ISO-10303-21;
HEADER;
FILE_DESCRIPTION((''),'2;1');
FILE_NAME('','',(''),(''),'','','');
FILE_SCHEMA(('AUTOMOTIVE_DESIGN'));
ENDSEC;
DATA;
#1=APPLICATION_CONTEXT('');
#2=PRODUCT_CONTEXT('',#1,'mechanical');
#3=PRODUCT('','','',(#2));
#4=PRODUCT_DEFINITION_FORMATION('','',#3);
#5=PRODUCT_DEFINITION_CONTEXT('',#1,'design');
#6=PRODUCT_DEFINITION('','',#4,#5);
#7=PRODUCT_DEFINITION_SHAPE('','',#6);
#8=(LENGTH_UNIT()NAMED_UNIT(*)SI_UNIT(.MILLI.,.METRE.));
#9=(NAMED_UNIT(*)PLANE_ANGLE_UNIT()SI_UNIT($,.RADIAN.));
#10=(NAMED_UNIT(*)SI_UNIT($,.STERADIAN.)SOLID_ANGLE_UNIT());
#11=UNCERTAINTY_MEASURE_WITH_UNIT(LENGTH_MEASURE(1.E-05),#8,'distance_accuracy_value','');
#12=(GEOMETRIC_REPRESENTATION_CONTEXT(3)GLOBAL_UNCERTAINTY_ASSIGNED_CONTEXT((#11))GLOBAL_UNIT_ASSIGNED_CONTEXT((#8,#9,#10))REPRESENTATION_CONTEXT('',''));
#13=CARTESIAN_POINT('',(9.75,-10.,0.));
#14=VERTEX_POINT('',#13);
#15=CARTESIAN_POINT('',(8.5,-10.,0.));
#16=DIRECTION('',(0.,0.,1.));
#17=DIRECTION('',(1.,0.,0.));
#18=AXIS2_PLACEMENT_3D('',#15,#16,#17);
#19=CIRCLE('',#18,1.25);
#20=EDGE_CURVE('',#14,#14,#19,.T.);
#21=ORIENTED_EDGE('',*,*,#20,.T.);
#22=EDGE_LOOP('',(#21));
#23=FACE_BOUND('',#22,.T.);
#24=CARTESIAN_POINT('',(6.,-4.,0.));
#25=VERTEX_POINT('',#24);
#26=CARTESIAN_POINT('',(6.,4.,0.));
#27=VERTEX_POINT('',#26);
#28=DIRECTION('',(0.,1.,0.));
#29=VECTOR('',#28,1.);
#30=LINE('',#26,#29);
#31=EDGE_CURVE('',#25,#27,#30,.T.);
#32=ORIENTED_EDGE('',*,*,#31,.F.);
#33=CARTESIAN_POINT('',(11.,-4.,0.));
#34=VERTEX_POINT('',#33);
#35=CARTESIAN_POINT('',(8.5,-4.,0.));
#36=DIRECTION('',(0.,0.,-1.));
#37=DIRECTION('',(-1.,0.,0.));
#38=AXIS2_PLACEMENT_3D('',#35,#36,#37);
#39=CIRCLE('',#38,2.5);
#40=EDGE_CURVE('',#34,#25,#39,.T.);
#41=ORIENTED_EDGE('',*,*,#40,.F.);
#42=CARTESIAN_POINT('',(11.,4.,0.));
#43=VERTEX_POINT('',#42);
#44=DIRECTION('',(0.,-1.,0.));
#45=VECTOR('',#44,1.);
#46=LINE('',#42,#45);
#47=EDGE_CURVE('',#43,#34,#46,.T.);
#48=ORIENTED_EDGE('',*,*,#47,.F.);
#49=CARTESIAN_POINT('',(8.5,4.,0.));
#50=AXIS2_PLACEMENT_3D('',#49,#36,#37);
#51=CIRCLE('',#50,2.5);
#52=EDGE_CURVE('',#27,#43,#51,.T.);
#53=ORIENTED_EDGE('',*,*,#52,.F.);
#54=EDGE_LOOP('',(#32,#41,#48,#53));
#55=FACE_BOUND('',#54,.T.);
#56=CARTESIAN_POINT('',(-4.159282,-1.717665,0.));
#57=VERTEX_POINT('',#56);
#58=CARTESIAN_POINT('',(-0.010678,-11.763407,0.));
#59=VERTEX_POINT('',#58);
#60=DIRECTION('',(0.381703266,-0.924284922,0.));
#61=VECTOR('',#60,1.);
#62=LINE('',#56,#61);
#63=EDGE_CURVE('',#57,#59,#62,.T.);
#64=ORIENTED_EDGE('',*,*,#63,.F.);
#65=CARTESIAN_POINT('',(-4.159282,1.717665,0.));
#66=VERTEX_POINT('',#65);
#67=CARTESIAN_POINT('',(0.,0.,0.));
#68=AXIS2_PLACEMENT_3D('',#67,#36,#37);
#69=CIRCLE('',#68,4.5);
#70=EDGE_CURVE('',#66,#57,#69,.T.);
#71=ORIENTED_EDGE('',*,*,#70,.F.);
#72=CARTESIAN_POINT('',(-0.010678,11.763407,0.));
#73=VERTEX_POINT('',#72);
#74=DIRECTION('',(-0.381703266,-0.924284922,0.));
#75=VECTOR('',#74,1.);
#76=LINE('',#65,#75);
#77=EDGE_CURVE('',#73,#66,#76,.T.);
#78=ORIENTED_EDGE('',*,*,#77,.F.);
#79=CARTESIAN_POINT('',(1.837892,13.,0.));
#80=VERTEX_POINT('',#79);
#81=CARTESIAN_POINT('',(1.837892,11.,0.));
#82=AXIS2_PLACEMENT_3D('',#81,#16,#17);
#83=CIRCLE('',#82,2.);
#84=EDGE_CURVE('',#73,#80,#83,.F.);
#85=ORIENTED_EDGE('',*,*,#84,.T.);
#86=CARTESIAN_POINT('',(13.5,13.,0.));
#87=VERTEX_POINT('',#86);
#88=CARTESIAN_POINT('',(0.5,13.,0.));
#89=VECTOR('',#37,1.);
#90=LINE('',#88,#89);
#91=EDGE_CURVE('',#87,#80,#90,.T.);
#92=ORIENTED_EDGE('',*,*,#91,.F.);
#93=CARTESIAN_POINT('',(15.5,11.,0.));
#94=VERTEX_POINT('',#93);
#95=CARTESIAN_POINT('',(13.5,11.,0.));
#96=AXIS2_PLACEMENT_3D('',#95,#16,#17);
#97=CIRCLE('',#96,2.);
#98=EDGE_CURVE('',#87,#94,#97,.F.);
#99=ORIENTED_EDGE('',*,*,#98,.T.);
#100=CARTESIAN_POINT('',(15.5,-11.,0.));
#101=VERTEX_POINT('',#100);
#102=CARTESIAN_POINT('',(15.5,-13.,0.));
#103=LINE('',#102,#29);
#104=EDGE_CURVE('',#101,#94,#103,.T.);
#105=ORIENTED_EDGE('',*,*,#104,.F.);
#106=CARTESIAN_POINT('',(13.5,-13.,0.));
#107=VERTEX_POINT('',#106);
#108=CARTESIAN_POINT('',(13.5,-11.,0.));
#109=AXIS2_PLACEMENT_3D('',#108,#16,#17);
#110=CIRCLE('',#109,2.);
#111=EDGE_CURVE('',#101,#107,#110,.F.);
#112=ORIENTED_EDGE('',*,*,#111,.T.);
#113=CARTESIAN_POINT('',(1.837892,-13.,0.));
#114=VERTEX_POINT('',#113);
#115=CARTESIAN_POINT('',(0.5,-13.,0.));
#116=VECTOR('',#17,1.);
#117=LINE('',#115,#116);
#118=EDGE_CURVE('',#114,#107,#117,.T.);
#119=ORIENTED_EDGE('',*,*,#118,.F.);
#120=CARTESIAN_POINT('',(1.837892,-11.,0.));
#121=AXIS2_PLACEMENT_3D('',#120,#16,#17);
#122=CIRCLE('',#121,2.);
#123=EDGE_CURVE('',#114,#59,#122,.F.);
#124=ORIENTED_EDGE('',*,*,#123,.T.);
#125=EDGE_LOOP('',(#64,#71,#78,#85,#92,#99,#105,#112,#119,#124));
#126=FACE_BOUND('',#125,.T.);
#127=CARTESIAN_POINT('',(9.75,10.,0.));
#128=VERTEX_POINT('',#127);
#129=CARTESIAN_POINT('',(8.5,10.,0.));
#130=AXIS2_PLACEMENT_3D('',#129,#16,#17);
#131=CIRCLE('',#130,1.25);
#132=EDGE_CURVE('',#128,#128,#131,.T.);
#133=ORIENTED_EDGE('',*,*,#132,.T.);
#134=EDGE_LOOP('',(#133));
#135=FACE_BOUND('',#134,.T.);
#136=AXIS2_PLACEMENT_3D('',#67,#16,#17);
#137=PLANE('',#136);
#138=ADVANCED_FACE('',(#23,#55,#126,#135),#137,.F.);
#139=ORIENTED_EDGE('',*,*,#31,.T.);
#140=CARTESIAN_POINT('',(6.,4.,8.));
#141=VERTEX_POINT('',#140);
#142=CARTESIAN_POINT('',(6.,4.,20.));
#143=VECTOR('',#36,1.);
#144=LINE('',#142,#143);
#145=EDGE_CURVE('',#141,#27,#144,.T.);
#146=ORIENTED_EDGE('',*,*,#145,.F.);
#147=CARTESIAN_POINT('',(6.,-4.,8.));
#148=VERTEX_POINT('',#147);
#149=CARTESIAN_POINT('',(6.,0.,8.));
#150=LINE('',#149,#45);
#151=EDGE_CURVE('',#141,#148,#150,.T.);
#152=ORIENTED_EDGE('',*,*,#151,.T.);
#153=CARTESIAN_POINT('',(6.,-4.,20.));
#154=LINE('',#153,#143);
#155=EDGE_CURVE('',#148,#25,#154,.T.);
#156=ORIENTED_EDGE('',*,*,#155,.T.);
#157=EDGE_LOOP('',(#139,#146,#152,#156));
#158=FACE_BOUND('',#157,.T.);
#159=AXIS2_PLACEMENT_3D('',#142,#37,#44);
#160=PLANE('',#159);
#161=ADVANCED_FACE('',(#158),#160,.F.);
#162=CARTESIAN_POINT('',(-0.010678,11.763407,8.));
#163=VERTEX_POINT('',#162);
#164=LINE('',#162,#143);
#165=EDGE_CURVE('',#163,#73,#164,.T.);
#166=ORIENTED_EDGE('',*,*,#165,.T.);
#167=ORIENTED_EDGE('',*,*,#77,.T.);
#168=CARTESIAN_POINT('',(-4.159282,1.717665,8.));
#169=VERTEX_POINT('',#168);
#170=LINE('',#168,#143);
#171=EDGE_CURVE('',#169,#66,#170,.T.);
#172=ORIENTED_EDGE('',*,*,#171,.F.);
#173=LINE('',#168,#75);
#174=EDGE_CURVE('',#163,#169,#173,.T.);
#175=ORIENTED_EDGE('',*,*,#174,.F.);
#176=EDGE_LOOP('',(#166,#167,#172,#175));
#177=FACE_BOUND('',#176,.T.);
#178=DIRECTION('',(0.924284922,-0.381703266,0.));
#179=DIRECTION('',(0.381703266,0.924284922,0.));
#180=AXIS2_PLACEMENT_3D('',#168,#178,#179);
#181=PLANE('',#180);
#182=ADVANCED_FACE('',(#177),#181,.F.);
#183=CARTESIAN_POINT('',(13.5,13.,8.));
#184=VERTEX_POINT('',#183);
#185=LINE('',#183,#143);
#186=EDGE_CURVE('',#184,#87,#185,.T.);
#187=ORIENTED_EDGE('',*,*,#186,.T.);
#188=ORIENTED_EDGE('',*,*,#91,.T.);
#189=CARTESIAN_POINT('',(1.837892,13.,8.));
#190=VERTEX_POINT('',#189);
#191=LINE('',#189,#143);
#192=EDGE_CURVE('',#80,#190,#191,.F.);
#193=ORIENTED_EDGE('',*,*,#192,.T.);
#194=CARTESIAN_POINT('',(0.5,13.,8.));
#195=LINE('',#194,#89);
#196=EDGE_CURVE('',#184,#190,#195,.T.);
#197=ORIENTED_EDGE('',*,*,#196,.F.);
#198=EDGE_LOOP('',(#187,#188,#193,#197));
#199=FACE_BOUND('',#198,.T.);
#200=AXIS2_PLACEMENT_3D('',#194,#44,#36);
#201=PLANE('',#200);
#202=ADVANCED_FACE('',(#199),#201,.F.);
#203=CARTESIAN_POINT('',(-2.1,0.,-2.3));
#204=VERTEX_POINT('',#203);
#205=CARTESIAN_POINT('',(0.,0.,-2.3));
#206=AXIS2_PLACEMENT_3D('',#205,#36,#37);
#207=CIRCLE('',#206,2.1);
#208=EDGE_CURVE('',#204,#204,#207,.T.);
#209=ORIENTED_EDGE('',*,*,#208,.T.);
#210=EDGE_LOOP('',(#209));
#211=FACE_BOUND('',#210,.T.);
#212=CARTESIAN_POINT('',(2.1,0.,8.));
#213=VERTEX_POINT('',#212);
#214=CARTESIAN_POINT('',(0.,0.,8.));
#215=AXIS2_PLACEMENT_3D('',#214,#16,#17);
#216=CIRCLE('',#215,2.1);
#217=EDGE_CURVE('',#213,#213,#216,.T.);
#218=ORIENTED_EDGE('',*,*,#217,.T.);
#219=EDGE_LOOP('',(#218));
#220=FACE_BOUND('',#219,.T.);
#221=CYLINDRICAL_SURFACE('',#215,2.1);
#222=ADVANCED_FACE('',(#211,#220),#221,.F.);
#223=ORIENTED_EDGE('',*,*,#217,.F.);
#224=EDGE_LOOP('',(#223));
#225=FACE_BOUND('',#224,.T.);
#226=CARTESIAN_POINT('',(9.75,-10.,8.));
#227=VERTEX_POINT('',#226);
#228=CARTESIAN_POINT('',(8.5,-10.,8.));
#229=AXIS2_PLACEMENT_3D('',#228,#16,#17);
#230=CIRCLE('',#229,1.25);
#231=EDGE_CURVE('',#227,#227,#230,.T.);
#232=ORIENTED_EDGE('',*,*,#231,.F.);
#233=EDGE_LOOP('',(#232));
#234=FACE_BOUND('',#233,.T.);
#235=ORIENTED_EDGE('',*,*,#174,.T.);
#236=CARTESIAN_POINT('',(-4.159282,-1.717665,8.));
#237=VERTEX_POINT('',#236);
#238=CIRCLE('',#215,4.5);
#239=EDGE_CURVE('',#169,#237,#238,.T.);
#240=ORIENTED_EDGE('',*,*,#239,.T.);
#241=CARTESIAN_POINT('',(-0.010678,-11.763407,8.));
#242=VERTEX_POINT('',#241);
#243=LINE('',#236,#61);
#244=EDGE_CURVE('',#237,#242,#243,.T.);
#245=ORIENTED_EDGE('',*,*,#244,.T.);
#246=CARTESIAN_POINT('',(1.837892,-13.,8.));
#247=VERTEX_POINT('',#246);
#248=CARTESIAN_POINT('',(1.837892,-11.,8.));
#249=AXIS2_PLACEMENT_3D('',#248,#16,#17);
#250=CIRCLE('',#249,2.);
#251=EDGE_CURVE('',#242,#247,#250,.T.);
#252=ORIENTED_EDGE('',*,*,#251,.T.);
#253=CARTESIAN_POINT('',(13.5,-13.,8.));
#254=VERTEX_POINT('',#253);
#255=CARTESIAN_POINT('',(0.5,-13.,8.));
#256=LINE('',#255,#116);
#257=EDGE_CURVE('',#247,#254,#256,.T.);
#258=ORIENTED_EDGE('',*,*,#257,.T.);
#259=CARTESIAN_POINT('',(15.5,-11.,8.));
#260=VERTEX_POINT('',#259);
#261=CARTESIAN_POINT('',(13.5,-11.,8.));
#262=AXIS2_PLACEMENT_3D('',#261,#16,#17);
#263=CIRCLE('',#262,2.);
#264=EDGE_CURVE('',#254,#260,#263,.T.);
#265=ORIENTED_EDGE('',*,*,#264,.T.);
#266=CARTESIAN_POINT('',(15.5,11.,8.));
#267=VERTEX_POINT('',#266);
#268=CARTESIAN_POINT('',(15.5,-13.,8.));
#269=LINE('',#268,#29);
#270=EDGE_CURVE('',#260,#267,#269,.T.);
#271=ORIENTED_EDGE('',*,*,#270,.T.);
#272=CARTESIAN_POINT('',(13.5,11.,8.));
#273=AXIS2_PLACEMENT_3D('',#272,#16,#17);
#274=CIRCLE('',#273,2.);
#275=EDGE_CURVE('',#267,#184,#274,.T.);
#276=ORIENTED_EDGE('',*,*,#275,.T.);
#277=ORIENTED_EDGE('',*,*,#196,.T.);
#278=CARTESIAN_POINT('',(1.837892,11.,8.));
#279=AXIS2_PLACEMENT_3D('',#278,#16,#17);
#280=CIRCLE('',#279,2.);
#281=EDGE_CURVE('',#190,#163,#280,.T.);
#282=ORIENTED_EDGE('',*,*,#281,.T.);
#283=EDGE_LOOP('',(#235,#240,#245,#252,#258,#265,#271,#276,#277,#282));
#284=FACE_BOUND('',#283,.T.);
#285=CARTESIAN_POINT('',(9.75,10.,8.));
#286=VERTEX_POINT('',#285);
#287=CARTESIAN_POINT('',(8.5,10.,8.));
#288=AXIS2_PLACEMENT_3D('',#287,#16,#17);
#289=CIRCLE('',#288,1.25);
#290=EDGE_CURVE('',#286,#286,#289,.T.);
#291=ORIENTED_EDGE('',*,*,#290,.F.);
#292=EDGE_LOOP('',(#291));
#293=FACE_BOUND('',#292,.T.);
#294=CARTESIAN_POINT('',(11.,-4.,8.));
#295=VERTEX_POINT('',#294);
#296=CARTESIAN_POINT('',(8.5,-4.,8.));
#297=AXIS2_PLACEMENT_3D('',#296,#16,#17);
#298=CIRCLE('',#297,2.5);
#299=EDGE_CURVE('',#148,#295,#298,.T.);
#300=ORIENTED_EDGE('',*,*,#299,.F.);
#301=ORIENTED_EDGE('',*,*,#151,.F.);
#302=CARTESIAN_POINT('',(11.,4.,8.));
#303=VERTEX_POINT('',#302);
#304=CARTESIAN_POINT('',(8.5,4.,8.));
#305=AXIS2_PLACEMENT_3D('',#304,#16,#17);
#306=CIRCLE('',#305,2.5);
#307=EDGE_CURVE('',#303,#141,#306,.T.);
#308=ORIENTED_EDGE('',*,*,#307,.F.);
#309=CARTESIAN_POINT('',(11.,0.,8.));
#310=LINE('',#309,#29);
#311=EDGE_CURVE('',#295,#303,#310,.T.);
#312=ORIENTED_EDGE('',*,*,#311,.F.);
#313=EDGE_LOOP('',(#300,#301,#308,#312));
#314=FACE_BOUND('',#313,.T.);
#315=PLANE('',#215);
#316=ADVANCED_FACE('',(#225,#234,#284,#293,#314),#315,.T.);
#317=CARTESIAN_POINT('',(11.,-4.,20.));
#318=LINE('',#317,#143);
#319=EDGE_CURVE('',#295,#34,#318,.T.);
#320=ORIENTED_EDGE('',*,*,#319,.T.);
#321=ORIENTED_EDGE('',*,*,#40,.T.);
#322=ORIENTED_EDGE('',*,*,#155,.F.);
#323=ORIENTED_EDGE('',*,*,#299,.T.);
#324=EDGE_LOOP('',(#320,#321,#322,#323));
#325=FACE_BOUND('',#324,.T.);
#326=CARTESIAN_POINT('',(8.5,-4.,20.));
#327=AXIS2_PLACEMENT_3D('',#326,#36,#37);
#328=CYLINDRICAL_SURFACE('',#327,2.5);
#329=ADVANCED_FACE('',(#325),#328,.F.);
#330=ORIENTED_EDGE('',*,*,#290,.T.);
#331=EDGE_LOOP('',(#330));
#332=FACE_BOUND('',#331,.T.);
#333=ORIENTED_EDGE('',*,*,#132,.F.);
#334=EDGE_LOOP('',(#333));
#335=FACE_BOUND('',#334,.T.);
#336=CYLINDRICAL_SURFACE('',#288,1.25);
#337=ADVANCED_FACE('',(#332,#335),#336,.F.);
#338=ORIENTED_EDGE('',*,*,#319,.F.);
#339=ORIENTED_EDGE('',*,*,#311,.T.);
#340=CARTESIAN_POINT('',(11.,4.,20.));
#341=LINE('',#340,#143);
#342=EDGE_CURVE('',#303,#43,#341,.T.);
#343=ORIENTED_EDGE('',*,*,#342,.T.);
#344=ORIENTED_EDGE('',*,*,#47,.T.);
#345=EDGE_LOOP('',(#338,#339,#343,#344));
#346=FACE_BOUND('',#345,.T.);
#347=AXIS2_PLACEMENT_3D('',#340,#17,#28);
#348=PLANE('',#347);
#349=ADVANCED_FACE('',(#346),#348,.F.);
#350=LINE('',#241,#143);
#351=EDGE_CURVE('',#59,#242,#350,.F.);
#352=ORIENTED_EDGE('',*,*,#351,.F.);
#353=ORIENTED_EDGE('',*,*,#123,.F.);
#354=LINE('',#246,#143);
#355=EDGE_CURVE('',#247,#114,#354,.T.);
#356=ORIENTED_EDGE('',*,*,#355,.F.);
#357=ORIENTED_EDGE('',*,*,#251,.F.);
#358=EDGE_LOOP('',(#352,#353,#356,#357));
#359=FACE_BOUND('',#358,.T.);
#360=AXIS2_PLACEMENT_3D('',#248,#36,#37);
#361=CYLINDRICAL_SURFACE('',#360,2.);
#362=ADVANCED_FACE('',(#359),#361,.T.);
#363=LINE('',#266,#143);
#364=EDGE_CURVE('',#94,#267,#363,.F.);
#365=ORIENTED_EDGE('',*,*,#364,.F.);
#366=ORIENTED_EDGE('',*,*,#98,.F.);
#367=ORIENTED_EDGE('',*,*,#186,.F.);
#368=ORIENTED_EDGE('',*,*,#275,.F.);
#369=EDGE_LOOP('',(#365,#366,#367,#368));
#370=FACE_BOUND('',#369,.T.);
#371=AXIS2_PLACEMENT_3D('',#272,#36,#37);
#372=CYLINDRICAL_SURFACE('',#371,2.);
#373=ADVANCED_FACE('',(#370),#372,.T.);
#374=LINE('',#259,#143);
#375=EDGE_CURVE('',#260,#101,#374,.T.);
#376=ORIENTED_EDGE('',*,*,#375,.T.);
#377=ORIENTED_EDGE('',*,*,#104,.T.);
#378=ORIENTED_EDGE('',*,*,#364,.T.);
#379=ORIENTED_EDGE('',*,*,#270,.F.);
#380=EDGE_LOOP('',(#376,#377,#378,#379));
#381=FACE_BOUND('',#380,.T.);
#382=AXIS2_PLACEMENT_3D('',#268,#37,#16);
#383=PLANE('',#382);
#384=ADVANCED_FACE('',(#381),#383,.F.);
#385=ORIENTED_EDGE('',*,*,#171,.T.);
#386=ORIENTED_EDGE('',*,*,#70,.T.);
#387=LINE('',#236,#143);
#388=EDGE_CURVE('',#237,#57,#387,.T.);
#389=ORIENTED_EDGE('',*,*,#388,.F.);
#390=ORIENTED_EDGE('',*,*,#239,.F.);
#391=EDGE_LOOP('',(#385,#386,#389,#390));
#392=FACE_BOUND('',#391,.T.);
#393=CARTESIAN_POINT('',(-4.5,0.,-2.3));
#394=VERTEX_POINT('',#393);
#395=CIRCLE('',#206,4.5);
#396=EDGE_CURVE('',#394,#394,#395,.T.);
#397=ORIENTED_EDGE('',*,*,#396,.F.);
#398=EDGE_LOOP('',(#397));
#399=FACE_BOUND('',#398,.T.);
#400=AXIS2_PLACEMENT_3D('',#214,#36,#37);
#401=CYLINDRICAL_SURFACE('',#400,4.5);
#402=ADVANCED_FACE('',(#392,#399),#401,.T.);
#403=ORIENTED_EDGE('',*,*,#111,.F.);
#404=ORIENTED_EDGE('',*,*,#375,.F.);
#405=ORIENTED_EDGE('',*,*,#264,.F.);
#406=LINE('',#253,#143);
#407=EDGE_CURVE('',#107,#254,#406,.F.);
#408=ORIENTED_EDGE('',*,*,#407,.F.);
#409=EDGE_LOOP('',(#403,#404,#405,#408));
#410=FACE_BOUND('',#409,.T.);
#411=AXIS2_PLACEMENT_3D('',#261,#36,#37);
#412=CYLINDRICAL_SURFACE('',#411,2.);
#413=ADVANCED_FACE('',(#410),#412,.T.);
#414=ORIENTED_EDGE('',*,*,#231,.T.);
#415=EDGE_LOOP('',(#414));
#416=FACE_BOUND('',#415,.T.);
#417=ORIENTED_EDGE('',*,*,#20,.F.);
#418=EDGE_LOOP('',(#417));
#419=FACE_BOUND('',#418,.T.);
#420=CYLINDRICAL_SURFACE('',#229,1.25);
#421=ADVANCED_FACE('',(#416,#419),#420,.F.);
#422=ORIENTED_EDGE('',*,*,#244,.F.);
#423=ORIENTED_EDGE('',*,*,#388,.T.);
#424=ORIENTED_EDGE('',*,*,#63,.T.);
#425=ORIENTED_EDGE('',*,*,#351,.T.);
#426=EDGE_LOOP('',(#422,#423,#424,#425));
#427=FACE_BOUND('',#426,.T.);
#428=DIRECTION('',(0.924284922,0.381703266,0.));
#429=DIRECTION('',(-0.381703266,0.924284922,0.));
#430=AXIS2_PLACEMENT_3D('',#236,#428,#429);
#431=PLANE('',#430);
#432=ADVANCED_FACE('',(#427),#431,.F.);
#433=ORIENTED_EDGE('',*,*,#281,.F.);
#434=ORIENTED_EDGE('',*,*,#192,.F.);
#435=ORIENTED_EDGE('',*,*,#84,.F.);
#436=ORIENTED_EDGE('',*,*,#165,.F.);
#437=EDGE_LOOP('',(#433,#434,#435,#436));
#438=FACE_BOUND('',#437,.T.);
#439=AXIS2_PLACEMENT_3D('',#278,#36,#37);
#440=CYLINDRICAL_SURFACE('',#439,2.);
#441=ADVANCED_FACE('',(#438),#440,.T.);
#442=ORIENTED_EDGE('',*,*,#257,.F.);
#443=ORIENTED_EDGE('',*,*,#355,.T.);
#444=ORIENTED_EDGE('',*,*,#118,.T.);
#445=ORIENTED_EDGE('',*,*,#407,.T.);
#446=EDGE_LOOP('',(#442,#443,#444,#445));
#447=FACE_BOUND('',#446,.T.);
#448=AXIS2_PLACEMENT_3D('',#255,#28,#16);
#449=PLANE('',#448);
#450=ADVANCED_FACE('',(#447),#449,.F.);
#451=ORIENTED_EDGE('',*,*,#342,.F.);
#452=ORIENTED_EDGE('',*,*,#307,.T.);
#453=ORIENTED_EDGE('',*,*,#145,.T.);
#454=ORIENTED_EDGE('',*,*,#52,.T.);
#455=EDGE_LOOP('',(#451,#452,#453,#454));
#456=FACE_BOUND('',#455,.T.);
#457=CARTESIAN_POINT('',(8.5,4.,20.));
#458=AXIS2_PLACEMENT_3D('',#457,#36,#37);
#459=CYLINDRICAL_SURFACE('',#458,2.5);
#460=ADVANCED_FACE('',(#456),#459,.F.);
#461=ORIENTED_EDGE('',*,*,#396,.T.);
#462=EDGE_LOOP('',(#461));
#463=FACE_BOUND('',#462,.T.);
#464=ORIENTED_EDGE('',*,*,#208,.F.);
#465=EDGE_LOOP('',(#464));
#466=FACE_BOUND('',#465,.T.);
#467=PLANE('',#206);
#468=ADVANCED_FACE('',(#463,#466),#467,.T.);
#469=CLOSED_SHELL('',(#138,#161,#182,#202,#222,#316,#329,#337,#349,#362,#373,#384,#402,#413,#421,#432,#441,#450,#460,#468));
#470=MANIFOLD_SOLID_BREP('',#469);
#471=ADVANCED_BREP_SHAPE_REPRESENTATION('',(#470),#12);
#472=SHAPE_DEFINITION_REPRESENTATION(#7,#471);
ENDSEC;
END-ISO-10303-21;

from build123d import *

# Parameters (mm, degrees)
SKETCH_1_R             = 1.5
EXTRUDE_1_DEPTH        = 8
SKETCH_2_R             = 1
CUT_EXTRUDE_1_DEPTH    = 33
FILLET_1_R             = 2
HOLE_WIZARD_M3_1_D     = 2.5
EXTRUDE_START          = 2.3
SKETCH_8_R             = 4.5
SKETCH_8_R_2           = 1.5
EXTRUDE_2_DEPTH        = 2.3
HOLE_WIZARD_M5_1_D     = 4.2
HOLE_WIZARD_M5_1_DEPTH = 20
HOLE_WIZARD_M5_1_TIP   = 1.2618073
CUT_EXTRUDE_2_DEPTH    = 20


with BuildPart() as part:
    # 草图1 → 凸台-拉伸1 (new body)
    with BuildSketch(Plane.XY):
        with BuildLine():
            Line((0.5, -13), (15.5, -13))
            Line((15.5, -13), (15.5, 13))
            Line((15.5, 13), (0.5, 13))
            Line((0.5, 13), (-4.159282148, 1.717664698))
            ThreePointArc((-4.159282148, 1.717664698), (-4.5, 0), (-4.159282148, -1.717664698))
            Line((-4.159282148, -1.717664698), (0.5, -13))
        make_face()
        Circle(SKETCH_1_R, mode=Mode.SUBTRACT)
    extrude(amount=EXTRUDE_1_DEPTH)

    # 草图2 → 切除-拉伸1 (cut)
    with BuildSketch(Plane.XY.offset(8)):
        with Locations((8.5, 10)):
            Circle(SKETCH_2_R)
        with Locations((8.5, -10)):
            Circle(SKETCH_2_R)
    extrude(amount=-CUT_EXTRUDE_1_DEPTH, mode=Mode.SUBTRACT)

    # 圆角1
    fillet_1_edges = [part.edges().sort_by_distance(p)[0] for p in [
        (0.5, 13, 4),
        (15.5, 13, 4),
        (15.5, -13, 4),
        (0.5, -13, 4),
    ]]
    fillet(fillet_1_edges, radius=FILLET_1_R)

    # M3 螺纹孔1 (through all)
    with Locations(Plane.XY.offset(8)):
        with Locations((8.5, 10), (8.5, -10)):
            Hole(HOLE_WIZARD_M3_1_D / 2)

    # 草图8 → 凸台-拉伸2 (add)
    with BuildSketch(Plane(origin=(0, 0, 0), x_dir=(-1, 0, 0), z_dir=(0, 0, -1)).offset(EXTRUDE_START)):
        Circle(SKETCH_8_R)
        Circle(SKETCH_8_R_2, mode=Mode.SUBTRACT)
    extrude(amount=-EXTRUDE_2_DEPTH)

    # M5 螺纹孔1
    with Locations(Plane.XY.offset(8)):
        with Locations((0, 0)):
            Hole(HOLE_WIZARD_M5_1_D / 2, depth=HOLE_WIZARD_M5_1_DEPTH)
            with Locations((0, 0, -(HOLE_WIZARD_M5_1_DEPTH + HOLE_WIZARD_M5_1_TIP / 2))):  # 118° drill point
                Cone(0, HOLE_WIZARD_M5_1_D / 2, HOLE_WIZARD_M5_1_TIP, mode=Mode.SUBTRACT)

    # 草图12 → 切除-拉伸2 (cut)
    with BuildSketch(Plane(origin=(0, 0, 0), x_dir=(-1, 0, 0), z_dir=(0, 0, -1))):
        with BuildLine():
            Line((-6, 4), (-6, -4))
            ThreePointArc((-6, -4), (-8.5, -6.5), (-11, -4))
            Line((-11, -4), (-11, 4))
            ThreePointArc((-11, 4), (-8.5, 6.5), (-6, 4))
        make_face()
    extrude(amount=-CUT_EXTRUDE_2_DEPTH, mode=Mode.SUBTRACT)


solid = part.part
